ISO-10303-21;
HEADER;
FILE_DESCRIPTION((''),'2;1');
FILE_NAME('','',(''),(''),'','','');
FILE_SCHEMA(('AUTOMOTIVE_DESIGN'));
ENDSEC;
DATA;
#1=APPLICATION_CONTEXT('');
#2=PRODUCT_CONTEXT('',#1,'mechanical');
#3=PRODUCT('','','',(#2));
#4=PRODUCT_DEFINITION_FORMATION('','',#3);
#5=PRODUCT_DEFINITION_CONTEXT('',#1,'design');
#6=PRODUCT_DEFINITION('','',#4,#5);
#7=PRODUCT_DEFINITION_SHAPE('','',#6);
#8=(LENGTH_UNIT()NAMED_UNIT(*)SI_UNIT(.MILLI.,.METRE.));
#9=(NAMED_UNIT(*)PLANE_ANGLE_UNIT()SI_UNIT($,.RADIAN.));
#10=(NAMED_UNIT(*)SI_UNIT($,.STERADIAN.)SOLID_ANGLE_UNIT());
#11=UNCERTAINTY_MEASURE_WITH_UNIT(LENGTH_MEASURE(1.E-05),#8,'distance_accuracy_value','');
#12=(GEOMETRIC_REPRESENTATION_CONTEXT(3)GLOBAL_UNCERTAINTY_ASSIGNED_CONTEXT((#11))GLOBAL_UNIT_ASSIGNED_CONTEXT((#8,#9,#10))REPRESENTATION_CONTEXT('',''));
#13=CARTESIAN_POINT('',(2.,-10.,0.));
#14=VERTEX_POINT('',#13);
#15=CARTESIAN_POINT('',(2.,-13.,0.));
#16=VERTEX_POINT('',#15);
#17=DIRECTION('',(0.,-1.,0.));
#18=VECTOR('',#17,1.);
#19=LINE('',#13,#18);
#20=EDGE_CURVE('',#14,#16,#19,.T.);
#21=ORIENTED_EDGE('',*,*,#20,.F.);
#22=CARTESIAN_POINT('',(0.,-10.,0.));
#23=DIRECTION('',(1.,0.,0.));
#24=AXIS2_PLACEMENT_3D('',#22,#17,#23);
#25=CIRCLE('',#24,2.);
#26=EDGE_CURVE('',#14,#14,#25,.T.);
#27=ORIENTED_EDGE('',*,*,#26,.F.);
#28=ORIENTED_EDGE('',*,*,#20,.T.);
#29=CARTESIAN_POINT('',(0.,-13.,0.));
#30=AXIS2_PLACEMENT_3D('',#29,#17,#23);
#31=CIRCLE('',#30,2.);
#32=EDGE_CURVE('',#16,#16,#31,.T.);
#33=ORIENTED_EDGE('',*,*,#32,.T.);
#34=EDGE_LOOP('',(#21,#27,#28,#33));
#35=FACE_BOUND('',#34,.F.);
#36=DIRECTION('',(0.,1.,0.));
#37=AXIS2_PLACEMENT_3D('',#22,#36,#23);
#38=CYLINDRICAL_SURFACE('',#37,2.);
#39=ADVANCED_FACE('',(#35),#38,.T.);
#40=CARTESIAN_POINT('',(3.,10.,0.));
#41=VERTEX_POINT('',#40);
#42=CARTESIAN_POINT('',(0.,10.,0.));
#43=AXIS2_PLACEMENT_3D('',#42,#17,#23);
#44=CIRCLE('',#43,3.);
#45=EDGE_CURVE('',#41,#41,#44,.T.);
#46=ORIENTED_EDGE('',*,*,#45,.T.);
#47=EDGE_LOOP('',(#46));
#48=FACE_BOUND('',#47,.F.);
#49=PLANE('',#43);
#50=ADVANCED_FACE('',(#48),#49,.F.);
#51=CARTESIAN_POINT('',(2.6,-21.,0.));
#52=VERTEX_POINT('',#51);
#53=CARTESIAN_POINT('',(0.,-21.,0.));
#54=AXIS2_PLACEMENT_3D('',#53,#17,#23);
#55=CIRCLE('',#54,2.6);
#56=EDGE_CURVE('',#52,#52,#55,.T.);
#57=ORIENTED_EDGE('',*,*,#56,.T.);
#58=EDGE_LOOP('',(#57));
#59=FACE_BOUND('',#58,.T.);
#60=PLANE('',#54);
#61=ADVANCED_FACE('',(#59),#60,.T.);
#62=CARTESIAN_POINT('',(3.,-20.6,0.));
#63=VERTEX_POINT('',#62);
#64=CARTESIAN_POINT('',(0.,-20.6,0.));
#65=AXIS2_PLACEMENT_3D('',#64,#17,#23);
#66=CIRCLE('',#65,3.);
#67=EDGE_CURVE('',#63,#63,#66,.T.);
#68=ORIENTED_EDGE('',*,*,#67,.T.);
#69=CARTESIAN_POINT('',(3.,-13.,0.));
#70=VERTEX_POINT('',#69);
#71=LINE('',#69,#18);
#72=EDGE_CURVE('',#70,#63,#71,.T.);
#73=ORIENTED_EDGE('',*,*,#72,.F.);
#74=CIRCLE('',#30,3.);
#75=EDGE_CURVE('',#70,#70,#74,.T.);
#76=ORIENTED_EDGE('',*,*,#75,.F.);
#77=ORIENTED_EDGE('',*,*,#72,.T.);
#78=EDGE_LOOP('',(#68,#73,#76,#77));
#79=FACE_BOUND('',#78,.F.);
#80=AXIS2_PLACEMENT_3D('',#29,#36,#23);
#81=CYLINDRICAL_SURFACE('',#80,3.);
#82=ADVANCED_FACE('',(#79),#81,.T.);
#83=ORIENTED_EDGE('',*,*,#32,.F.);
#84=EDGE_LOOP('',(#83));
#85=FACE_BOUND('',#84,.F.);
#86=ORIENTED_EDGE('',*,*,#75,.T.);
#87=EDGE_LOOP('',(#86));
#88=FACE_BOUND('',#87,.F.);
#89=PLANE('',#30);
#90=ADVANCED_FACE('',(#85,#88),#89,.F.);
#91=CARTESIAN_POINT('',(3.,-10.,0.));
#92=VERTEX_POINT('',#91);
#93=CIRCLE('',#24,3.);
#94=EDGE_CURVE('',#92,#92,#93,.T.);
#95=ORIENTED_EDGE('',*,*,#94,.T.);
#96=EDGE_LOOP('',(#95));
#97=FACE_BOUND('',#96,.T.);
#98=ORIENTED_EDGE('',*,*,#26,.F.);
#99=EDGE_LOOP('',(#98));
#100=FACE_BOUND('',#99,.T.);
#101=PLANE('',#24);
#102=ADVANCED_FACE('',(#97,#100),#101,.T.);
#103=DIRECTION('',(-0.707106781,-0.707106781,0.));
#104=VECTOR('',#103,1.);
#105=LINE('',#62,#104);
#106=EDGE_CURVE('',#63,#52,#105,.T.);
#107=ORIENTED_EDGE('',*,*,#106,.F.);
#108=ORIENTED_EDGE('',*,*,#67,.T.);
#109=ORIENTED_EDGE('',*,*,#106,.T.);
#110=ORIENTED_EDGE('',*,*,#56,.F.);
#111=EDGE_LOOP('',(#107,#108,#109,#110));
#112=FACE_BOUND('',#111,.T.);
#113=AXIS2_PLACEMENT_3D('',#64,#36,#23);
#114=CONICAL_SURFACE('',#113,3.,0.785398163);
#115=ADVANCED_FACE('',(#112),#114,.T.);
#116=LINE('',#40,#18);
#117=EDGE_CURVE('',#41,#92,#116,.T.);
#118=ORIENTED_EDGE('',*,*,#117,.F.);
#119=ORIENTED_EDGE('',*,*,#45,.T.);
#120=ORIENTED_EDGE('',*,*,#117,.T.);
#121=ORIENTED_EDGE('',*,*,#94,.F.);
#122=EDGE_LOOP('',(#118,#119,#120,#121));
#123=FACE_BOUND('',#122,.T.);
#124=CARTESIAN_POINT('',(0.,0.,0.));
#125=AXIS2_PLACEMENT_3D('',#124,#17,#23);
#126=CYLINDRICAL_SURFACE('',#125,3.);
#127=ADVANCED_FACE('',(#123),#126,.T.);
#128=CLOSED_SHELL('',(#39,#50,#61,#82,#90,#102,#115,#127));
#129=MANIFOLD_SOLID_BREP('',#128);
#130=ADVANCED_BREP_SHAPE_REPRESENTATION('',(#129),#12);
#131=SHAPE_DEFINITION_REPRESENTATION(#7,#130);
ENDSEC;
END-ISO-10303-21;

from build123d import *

# Parameters (mm, degrees)
F0_R     = 3
F1_DEPTH = 10
F2_R     = 2
F3_DEPTH = 3
F4_R     = 3
F5_DEPTH = 8
F6_SIZE  = 0.4


with BuildPart() as f1:
    # F0 (on Front) → F1 (new body, symmetric)
    with BuildSketch(Plane.XZ):
        Circle(F0_R)
    extrude(amount=F1_DEPTH, both=True)

    # F2 (on face) → F3 (join)
    with BuildSketch(Plane.XZ.offset(10)):
        Circle(F2_R)
    extrude(amount=F3_DEPTH)

    # F4 (on face) → F5 (join)
    with BuildSketch(Plane.XZ.offset(13)):
        Circle(F4_R)
    extrude(amount=F5_DEPTH)

    # F6
    f6_edges = [f1.edges().sort_by_distance(p)[0] for p in [
        (-3, -21, 0),
    ]]
    chamfer(f6_edges, length=F6_SIZE)


solid = f1.part
